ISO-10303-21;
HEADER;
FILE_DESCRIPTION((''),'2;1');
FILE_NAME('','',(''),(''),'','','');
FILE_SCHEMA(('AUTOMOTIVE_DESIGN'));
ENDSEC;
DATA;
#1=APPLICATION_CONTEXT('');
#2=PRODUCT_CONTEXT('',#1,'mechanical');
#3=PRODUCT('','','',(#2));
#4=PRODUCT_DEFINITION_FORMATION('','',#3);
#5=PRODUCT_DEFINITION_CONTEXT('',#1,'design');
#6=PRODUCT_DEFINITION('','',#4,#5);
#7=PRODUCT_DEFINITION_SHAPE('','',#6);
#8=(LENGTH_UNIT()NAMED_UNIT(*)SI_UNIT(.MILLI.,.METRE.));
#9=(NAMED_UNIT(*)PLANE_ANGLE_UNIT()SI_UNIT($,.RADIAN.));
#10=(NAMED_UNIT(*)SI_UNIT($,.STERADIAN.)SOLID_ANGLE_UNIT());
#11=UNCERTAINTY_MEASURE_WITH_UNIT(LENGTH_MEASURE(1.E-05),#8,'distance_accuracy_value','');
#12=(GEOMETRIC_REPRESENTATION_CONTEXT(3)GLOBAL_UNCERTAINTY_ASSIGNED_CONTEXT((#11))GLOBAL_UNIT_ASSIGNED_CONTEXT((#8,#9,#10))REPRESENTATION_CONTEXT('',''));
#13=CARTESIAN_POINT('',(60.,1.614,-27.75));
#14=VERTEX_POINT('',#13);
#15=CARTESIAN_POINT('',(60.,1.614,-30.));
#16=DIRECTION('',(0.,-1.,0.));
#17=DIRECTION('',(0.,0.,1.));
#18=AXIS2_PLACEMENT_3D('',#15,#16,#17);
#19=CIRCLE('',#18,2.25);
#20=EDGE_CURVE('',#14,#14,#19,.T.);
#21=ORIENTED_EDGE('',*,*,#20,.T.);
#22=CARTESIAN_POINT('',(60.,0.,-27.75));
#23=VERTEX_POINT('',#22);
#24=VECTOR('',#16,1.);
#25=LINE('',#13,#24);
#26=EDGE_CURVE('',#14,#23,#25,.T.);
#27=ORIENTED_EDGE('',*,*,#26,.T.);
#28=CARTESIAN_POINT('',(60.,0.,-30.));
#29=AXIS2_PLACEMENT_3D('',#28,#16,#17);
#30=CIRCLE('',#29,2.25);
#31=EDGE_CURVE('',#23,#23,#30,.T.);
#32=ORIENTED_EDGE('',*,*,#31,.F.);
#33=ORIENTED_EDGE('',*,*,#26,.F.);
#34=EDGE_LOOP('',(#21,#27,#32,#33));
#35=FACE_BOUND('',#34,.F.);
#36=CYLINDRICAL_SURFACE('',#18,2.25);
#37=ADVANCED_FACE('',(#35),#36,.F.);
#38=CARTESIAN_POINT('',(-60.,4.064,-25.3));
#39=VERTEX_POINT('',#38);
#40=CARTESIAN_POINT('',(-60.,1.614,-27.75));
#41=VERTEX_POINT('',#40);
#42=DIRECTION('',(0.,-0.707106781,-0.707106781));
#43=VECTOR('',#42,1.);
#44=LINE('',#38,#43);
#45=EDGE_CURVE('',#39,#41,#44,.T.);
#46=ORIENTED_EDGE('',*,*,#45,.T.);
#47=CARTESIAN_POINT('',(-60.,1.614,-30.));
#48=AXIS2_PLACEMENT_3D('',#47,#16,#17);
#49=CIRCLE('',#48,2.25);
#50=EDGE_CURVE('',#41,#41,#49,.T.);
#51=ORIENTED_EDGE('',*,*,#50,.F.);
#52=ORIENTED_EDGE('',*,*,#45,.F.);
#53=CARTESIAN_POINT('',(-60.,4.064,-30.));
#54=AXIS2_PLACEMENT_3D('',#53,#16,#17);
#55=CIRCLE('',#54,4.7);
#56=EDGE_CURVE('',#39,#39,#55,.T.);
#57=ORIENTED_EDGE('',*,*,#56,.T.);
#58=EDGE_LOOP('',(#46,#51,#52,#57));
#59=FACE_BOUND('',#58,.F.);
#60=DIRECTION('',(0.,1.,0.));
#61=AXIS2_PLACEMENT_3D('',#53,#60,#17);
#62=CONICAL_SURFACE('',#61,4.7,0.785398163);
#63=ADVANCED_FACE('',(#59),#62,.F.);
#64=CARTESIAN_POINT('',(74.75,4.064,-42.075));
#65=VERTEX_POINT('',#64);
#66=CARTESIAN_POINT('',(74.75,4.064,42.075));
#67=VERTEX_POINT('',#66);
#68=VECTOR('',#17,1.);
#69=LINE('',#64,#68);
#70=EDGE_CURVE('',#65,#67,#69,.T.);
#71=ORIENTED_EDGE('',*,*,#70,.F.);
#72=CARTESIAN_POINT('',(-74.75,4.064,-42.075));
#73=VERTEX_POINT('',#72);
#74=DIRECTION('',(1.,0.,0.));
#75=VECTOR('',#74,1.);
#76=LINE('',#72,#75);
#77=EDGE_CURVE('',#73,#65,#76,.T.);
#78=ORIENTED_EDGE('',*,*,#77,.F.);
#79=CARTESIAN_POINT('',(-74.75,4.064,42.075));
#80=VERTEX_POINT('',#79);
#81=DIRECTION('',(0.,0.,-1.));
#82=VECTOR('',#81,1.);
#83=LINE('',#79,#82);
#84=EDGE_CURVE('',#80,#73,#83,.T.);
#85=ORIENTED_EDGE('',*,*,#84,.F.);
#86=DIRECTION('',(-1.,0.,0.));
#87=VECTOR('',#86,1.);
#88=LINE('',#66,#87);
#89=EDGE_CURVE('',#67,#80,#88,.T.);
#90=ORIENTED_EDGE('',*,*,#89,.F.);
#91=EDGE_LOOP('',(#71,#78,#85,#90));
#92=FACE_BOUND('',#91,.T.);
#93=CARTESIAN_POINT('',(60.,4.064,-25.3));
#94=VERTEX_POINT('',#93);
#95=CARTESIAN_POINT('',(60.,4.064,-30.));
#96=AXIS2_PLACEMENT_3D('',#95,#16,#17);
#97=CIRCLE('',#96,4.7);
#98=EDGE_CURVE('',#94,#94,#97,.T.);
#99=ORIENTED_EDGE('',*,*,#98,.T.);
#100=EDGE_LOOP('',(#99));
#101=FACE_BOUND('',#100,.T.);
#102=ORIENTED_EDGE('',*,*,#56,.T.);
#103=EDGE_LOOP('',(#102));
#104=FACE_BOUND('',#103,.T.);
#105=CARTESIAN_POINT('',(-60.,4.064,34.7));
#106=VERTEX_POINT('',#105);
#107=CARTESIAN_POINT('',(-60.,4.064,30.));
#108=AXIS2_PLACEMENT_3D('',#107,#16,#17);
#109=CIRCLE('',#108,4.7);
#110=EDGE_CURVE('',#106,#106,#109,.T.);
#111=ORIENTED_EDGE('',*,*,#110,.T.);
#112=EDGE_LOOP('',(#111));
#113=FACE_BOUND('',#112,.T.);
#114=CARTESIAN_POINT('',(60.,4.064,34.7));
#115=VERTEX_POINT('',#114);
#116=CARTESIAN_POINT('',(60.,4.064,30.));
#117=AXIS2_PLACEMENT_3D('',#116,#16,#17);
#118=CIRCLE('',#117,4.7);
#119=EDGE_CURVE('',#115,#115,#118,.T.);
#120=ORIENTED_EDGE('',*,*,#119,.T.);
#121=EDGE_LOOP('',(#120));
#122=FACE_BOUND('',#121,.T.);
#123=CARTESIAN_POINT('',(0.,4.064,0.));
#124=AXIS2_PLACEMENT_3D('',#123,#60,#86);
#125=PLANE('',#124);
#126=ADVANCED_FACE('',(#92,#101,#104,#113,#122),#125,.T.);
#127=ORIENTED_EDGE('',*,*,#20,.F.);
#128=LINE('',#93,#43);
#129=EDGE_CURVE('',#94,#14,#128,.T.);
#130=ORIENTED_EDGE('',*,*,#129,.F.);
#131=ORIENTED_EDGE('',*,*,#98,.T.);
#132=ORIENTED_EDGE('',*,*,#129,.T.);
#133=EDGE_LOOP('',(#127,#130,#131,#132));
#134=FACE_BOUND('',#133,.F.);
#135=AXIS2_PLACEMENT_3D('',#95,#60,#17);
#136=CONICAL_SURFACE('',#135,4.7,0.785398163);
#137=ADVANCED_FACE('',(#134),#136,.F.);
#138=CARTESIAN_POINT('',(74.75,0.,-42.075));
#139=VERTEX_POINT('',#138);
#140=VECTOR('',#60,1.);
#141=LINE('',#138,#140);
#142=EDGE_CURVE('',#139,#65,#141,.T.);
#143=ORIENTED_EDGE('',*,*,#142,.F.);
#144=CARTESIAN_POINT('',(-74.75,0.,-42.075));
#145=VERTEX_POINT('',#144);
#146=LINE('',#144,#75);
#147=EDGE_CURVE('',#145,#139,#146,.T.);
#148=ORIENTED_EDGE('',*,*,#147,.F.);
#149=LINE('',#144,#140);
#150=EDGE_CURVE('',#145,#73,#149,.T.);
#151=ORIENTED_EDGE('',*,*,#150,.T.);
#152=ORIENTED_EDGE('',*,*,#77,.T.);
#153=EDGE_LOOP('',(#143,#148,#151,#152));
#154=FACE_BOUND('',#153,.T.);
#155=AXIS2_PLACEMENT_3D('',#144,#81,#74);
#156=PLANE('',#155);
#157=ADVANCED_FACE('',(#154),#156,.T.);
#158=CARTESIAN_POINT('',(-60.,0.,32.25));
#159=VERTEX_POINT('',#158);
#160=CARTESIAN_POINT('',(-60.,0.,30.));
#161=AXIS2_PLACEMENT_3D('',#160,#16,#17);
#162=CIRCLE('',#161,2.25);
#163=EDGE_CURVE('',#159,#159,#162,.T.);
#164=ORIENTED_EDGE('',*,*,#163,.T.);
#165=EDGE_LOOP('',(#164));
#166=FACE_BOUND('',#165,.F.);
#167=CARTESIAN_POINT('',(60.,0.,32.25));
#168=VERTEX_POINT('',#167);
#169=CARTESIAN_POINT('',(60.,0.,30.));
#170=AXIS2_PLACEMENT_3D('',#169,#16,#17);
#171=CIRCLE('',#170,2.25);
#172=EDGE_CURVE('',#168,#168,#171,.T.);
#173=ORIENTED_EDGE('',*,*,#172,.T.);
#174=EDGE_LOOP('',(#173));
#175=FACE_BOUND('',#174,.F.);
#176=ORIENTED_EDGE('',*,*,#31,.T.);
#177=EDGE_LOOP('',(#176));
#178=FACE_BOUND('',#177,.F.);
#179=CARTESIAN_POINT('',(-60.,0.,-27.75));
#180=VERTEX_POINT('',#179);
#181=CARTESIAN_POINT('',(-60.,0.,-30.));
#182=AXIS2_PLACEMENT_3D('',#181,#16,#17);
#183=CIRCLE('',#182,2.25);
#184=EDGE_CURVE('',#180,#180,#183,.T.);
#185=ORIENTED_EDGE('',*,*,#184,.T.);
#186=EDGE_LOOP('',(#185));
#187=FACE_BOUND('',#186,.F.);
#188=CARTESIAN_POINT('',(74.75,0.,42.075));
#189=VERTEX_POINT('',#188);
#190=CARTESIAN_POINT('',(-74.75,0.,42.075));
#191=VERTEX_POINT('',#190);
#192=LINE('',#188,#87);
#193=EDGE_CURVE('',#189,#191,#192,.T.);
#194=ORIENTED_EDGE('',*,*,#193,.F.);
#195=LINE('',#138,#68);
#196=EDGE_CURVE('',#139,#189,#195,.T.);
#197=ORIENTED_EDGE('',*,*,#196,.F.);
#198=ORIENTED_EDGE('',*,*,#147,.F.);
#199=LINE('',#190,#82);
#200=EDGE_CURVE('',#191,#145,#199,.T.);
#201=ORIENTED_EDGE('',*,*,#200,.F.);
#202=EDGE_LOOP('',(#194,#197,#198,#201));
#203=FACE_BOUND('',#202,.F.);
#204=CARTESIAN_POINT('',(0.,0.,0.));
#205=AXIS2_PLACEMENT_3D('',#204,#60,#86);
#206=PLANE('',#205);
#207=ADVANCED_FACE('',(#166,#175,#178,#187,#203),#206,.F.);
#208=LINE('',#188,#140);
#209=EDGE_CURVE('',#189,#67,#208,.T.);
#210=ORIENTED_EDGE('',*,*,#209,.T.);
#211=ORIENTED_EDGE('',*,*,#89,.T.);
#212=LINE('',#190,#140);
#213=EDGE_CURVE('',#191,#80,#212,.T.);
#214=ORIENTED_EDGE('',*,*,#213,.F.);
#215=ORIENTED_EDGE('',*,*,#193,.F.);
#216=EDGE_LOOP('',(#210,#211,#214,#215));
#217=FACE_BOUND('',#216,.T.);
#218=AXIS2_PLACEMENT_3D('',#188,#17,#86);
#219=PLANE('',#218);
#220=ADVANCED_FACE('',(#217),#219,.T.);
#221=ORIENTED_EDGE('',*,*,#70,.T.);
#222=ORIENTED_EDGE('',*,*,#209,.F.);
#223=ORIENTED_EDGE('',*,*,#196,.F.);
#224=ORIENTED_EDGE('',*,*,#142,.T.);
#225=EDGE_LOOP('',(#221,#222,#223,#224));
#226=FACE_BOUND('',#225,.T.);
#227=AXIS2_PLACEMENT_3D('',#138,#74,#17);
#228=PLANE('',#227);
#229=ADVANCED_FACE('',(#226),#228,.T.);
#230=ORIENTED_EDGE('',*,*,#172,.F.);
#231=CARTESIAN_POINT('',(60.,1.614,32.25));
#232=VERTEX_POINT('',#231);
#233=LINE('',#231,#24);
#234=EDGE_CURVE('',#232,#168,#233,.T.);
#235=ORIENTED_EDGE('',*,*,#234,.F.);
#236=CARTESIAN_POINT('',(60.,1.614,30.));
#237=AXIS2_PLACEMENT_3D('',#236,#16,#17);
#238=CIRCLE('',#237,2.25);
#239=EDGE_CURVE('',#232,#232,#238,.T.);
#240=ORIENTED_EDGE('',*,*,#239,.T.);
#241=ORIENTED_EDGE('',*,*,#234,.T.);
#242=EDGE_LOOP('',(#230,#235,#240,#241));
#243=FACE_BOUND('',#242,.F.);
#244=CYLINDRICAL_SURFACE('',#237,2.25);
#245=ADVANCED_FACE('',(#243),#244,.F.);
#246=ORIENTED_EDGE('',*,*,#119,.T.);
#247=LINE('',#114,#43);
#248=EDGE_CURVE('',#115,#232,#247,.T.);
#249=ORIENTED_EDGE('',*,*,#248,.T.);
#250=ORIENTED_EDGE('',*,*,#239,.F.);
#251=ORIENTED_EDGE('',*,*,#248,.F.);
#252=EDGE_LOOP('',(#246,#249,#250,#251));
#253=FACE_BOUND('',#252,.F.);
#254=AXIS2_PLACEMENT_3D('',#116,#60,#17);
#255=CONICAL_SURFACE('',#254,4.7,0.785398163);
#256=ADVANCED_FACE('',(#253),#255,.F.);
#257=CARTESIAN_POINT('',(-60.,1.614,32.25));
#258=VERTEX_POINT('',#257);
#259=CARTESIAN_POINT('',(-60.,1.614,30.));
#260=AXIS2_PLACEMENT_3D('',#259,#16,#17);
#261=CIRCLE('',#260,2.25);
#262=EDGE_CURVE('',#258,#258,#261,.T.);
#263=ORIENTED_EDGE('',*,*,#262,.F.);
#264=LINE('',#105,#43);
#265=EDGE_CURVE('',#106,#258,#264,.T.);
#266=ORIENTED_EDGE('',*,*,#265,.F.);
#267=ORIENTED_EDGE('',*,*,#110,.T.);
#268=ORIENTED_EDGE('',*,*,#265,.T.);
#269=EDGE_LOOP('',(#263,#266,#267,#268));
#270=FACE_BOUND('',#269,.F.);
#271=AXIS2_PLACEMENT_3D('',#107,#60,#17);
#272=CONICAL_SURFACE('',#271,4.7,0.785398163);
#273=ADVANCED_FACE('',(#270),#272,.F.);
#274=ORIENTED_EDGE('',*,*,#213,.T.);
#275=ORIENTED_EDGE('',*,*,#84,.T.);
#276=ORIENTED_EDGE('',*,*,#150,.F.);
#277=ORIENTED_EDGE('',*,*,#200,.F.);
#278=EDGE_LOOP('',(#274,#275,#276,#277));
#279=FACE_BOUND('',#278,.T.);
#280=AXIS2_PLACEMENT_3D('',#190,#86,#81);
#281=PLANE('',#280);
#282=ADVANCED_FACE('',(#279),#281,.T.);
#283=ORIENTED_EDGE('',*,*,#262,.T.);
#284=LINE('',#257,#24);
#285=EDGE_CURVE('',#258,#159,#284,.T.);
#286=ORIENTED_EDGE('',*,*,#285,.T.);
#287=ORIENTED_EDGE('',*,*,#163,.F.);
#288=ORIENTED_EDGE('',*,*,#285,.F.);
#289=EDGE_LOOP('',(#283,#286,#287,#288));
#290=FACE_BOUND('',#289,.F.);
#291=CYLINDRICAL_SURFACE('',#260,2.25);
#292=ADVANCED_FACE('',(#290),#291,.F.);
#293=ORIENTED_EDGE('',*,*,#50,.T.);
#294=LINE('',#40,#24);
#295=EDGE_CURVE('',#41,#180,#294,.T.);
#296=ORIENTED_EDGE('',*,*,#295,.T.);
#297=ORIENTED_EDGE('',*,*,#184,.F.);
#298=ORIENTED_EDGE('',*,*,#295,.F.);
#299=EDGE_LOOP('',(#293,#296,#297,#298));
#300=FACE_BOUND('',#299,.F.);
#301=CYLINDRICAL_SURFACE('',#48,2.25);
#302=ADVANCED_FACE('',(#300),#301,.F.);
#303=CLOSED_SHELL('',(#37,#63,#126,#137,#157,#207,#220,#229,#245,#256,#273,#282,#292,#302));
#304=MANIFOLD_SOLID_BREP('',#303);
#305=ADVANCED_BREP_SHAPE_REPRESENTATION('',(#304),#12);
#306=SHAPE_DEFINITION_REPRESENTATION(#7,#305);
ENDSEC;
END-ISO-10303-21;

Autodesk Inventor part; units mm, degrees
ref_plane "YZ Plane" through (0, 0, 0) normal (1, 0, 0) x (0, 1, 0)
ref_plane "XZ Plane" through (0, 0, 0) normal (0, 1, 0) x (-1, 0, 0)
ref_plane "XY Plane" through (0, 0, 0) normal (0, 0, 1) x (1, 0, 0)
sketch "Sketch1" plane through (0, 0, 0) normal (0, 1, 0) x (-1, 0, 0)
  line L0 (-74.75, 42.075) -> (74.75, 42.075)
  line L1 (74.75, 42.075) -> (74.75, -42.075)
  line L2 (74.75, -42.075) -> (-74.75, -42.075)
  line L3 (-74.75, -42.075) -> (-74.75, 42.075)
  line L4 (-74.75, 42.075) -> (74.75, -42.075) construction
  line L5 (74.75, 42.075) -> (-74.75, -42.075) construction
  point P0 (0, 0)
  dimension "d0" = 149.5
  dimension "d1" = 84.15
extrude "Extrusion1" add sketch "Sketch1" along normal blind 4.064
sketch "Sketch2" plane through (0, 4.064, 0) normal (0, 1, 0) x (1, 0, 0)
  point P0 (0, 0)
  point P1 (-60, 30)
  point P2 (60, 30)
  point P3 (-60, -30)
  point P4 (60, -30)
  dimension "d4" = 60
  dimension "d5" = 30
  dimension "d6" = 60
  dimension "d7" = 30
  dimension "d8" = 30
  dimension "d9" = 60
  dimension "d10" = 30
  dimension "d11" = 60
hole "Hole1" at (-60, 4.064, -30) at (60, 4.064, -30) at (-60, 4.064, 30) at (60, 4.064, 30) direction (0, -1, 0) diameter 4.5 end through all countersink diameter 9.4 countersink angle 90
properties part number "Piston Feed Surface" material "Aluminum 6061"
